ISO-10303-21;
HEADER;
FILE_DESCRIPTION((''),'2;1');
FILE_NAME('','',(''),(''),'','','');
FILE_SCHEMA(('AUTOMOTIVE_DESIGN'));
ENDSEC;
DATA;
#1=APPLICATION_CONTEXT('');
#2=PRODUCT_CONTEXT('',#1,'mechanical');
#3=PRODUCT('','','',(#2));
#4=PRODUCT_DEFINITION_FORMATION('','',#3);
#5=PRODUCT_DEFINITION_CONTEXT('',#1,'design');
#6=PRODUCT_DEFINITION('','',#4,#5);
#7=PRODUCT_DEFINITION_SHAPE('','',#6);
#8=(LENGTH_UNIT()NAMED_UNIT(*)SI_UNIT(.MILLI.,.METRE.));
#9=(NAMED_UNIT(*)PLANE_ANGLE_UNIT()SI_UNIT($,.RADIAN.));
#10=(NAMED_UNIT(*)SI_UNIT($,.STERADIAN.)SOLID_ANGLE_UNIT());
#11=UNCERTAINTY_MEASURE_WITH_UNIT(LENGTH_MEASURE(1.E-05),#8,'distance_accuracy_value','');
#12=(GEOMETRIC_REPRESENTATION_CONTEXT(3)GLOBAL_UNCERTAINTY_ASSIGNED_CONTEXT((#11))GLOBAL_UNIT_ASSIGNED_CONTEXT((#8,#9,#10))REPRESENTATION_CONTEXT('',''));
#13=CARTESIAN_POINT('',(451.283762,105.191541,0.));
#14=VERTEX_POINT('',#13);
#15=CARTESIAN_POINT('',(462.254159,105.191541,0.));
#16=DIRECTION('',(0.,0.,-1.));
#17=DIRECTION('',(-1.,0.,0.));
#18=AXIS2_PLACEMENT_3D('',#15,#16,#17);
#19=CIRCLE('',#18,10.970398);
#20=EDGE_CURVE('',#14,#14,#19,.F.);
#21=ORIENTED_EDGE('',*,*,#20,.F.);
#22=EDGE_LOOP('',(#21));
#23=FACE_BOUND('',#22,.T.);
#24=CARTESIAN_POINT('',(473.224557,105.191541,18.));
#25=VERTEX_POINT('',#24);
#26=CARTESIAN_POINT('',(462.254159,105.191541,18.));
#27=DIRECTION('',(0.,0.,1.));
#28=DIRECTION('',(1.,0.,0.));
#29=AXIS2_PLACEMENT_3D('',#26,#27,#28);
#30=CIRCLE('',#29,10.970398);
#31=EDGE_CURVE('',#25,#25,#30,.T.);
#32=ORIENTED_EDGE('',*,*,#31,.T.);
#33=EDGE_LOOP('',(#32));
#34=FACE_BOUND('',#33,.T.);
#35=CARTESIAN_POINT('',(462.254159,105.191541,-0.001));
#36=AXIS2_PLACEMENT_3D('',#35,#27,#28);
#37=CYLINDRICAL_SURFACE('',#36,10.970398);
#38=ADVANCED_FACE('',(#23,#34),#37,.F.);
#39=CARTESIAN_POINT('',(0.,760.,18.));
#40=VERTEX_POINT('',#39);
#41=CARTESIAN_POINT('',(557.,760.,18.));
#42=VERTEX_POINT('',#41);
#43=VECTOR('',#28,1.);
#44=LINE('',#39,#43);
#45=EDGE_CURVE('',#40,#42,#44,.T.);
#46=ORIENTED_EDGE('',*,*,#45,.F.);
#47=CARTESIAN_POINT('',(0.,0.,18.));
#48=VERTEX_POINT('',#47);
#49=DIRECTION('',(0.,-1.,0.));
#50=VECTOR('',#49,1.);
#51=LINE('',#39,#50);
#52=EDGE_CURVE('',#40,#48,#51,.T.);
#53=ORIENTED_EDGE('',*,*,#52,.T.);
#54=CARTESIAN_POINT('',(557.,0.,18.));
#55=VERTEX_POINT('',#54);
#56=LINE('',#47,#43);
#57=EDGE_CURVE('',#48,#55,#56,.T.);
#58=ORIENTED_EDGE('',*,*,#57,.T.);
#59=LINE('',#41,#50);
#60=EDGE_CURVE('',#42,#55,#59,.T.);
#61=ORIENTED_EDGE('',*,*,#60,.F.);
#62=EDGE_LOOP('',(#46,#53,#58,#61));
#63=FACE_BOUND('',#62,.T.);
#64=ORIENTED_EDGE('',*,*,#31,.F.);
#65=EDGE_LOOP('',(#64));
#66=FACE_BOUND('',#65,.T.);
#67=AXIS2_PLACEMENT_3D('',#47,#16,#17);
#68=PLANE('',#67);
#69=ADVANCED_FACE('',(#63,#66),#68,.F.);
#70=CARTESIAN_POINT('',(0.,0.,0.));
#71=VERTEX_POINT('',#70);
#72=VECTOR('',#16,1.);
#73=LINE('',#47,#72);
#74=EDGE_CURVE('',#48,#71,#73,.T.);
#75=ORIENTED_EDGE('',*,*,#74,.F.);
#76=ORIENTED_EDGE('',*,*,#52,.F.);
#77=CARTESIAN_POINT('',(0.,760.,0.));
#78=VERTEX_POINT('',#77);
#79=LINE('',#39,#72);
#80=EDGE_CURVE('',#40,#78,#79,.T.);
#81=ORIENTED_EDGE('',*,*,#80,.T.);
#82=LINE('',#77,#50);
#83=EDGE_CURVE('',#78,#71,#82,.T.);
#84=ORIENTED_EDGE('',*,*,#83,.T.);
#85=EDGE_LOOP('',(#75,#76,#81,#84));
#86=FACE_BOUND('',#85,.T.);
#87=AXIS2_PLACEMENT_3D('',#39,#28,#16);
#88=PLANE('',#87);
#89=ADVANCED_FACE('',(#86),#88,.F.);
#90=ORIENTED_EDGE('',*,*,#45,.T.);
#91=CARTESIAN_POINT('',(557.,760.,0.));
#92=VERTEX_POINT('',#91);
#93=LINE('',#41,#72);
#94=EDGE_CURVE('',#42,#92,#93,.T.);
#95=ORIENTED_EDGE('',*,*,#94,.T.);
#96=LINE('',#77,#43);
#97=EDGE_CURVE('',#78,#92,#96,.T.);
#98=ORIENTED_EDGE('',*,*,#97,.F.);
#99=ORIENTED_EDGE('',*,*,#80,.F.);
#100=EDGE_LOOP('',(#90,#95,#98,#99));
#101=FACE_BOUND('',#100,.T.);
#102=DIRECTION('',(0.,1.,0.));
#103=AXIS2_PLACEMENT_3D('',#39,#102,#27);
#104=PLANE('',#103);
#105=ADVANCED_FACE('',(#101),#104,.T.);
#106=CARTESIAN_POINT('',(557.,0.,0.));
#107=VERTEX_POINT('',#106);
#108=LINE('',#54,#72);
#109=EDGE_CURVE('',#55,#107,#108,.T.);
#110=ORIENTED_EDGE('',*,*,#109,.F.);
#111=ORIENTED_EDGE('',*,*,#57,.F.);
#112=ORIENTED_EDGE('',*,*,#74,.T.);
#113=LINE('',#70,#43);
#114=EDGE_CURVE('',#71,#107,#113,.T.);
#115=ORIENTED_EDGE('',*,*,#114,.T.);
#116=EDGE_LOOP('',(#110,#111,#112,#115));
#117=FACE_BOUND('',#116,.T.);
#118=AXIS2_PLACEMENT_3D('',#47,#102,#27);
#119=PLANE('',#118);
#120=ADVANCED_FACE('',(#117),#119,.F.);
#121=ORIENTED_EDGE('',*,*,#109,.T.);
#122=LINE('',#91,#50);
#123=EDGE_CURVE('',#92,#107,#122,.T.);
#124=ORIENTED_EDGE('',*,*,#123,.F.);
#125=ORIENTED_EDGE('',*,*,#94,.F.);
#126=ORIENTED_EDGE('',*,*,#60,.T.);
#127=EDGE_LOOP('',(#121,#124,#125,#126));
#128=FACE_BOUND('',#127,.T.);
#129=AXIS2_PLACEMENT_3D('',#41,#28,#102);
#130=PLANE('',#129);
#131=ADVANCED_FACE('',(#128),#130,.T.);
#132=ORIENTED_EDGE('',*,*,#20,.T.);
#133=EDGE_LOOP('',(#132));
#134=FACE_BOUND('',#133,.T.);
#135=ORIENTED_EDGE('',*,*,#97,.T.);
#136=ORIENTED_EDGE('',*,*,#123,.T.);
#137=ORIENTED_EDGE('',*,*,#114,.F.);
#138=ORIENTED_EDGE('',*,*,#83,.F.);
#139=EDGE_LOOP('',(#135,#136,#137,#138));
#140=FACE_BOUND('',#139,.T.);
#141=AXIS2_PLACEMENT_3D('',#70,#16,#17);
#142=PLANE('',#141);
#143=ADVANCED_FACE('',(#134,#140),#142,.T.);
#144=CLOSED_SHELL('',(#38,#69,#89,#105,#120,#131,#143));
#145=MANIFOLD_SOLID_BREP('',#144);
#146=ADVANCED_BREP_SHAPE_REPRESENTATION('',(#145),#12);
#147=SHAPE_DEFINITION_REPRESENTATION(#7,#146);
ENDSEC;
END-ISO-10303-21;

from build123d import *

# Parameters (mm, degrees)
SZKIC1_W                    = 557
SZKIC1_H                    = 760
DODANIE_WYCI_GNI_CIE1_DEPTH = 18
WYTNIJ_WYCI_GNI_CIE1_REACH  = 944.429
SZKIC2_R                    = 10.970397566


with BuildPart() as part:
    # Szkic1 → Dodanie-wyciągnięcie1 (new body)
    with BuildSketch(Plane.XY):
        with Locations((278.5, 380)):
            Rectangle(SZKIC1_W, SZKIC1_H)
    extrude(amount=DODANIE_WYCI_GNI_CIE1_DEPTH)

    # Szkic2 → Wytnij-wyciągnięcie1 (cut, up to next)
    with BuildSketch(Plane.XY.offset(18), mode=Mode.PRIVATE) as wytnij_wyci_gni_cie1_sk1:
        with Locations((462.25415923, 105.191540972)):
            Circle(SZKIC2_R)
    wytnij_wyci_gni_cie1_tool1 = extrude(wytnij_wyci_gni_cie1_sk1.sketch, amount=-WYTNIJ_WYCI_GNI_CIE1_REACH, mode=Mode.PRIVATE) & part.part
    add(wytnij_wyci_gni_cie1_tool1.solids().sort_by_distance((462.254159, 105.191541, 18))[0], mode=Mode.SUBTRACT)


solid = part.part
